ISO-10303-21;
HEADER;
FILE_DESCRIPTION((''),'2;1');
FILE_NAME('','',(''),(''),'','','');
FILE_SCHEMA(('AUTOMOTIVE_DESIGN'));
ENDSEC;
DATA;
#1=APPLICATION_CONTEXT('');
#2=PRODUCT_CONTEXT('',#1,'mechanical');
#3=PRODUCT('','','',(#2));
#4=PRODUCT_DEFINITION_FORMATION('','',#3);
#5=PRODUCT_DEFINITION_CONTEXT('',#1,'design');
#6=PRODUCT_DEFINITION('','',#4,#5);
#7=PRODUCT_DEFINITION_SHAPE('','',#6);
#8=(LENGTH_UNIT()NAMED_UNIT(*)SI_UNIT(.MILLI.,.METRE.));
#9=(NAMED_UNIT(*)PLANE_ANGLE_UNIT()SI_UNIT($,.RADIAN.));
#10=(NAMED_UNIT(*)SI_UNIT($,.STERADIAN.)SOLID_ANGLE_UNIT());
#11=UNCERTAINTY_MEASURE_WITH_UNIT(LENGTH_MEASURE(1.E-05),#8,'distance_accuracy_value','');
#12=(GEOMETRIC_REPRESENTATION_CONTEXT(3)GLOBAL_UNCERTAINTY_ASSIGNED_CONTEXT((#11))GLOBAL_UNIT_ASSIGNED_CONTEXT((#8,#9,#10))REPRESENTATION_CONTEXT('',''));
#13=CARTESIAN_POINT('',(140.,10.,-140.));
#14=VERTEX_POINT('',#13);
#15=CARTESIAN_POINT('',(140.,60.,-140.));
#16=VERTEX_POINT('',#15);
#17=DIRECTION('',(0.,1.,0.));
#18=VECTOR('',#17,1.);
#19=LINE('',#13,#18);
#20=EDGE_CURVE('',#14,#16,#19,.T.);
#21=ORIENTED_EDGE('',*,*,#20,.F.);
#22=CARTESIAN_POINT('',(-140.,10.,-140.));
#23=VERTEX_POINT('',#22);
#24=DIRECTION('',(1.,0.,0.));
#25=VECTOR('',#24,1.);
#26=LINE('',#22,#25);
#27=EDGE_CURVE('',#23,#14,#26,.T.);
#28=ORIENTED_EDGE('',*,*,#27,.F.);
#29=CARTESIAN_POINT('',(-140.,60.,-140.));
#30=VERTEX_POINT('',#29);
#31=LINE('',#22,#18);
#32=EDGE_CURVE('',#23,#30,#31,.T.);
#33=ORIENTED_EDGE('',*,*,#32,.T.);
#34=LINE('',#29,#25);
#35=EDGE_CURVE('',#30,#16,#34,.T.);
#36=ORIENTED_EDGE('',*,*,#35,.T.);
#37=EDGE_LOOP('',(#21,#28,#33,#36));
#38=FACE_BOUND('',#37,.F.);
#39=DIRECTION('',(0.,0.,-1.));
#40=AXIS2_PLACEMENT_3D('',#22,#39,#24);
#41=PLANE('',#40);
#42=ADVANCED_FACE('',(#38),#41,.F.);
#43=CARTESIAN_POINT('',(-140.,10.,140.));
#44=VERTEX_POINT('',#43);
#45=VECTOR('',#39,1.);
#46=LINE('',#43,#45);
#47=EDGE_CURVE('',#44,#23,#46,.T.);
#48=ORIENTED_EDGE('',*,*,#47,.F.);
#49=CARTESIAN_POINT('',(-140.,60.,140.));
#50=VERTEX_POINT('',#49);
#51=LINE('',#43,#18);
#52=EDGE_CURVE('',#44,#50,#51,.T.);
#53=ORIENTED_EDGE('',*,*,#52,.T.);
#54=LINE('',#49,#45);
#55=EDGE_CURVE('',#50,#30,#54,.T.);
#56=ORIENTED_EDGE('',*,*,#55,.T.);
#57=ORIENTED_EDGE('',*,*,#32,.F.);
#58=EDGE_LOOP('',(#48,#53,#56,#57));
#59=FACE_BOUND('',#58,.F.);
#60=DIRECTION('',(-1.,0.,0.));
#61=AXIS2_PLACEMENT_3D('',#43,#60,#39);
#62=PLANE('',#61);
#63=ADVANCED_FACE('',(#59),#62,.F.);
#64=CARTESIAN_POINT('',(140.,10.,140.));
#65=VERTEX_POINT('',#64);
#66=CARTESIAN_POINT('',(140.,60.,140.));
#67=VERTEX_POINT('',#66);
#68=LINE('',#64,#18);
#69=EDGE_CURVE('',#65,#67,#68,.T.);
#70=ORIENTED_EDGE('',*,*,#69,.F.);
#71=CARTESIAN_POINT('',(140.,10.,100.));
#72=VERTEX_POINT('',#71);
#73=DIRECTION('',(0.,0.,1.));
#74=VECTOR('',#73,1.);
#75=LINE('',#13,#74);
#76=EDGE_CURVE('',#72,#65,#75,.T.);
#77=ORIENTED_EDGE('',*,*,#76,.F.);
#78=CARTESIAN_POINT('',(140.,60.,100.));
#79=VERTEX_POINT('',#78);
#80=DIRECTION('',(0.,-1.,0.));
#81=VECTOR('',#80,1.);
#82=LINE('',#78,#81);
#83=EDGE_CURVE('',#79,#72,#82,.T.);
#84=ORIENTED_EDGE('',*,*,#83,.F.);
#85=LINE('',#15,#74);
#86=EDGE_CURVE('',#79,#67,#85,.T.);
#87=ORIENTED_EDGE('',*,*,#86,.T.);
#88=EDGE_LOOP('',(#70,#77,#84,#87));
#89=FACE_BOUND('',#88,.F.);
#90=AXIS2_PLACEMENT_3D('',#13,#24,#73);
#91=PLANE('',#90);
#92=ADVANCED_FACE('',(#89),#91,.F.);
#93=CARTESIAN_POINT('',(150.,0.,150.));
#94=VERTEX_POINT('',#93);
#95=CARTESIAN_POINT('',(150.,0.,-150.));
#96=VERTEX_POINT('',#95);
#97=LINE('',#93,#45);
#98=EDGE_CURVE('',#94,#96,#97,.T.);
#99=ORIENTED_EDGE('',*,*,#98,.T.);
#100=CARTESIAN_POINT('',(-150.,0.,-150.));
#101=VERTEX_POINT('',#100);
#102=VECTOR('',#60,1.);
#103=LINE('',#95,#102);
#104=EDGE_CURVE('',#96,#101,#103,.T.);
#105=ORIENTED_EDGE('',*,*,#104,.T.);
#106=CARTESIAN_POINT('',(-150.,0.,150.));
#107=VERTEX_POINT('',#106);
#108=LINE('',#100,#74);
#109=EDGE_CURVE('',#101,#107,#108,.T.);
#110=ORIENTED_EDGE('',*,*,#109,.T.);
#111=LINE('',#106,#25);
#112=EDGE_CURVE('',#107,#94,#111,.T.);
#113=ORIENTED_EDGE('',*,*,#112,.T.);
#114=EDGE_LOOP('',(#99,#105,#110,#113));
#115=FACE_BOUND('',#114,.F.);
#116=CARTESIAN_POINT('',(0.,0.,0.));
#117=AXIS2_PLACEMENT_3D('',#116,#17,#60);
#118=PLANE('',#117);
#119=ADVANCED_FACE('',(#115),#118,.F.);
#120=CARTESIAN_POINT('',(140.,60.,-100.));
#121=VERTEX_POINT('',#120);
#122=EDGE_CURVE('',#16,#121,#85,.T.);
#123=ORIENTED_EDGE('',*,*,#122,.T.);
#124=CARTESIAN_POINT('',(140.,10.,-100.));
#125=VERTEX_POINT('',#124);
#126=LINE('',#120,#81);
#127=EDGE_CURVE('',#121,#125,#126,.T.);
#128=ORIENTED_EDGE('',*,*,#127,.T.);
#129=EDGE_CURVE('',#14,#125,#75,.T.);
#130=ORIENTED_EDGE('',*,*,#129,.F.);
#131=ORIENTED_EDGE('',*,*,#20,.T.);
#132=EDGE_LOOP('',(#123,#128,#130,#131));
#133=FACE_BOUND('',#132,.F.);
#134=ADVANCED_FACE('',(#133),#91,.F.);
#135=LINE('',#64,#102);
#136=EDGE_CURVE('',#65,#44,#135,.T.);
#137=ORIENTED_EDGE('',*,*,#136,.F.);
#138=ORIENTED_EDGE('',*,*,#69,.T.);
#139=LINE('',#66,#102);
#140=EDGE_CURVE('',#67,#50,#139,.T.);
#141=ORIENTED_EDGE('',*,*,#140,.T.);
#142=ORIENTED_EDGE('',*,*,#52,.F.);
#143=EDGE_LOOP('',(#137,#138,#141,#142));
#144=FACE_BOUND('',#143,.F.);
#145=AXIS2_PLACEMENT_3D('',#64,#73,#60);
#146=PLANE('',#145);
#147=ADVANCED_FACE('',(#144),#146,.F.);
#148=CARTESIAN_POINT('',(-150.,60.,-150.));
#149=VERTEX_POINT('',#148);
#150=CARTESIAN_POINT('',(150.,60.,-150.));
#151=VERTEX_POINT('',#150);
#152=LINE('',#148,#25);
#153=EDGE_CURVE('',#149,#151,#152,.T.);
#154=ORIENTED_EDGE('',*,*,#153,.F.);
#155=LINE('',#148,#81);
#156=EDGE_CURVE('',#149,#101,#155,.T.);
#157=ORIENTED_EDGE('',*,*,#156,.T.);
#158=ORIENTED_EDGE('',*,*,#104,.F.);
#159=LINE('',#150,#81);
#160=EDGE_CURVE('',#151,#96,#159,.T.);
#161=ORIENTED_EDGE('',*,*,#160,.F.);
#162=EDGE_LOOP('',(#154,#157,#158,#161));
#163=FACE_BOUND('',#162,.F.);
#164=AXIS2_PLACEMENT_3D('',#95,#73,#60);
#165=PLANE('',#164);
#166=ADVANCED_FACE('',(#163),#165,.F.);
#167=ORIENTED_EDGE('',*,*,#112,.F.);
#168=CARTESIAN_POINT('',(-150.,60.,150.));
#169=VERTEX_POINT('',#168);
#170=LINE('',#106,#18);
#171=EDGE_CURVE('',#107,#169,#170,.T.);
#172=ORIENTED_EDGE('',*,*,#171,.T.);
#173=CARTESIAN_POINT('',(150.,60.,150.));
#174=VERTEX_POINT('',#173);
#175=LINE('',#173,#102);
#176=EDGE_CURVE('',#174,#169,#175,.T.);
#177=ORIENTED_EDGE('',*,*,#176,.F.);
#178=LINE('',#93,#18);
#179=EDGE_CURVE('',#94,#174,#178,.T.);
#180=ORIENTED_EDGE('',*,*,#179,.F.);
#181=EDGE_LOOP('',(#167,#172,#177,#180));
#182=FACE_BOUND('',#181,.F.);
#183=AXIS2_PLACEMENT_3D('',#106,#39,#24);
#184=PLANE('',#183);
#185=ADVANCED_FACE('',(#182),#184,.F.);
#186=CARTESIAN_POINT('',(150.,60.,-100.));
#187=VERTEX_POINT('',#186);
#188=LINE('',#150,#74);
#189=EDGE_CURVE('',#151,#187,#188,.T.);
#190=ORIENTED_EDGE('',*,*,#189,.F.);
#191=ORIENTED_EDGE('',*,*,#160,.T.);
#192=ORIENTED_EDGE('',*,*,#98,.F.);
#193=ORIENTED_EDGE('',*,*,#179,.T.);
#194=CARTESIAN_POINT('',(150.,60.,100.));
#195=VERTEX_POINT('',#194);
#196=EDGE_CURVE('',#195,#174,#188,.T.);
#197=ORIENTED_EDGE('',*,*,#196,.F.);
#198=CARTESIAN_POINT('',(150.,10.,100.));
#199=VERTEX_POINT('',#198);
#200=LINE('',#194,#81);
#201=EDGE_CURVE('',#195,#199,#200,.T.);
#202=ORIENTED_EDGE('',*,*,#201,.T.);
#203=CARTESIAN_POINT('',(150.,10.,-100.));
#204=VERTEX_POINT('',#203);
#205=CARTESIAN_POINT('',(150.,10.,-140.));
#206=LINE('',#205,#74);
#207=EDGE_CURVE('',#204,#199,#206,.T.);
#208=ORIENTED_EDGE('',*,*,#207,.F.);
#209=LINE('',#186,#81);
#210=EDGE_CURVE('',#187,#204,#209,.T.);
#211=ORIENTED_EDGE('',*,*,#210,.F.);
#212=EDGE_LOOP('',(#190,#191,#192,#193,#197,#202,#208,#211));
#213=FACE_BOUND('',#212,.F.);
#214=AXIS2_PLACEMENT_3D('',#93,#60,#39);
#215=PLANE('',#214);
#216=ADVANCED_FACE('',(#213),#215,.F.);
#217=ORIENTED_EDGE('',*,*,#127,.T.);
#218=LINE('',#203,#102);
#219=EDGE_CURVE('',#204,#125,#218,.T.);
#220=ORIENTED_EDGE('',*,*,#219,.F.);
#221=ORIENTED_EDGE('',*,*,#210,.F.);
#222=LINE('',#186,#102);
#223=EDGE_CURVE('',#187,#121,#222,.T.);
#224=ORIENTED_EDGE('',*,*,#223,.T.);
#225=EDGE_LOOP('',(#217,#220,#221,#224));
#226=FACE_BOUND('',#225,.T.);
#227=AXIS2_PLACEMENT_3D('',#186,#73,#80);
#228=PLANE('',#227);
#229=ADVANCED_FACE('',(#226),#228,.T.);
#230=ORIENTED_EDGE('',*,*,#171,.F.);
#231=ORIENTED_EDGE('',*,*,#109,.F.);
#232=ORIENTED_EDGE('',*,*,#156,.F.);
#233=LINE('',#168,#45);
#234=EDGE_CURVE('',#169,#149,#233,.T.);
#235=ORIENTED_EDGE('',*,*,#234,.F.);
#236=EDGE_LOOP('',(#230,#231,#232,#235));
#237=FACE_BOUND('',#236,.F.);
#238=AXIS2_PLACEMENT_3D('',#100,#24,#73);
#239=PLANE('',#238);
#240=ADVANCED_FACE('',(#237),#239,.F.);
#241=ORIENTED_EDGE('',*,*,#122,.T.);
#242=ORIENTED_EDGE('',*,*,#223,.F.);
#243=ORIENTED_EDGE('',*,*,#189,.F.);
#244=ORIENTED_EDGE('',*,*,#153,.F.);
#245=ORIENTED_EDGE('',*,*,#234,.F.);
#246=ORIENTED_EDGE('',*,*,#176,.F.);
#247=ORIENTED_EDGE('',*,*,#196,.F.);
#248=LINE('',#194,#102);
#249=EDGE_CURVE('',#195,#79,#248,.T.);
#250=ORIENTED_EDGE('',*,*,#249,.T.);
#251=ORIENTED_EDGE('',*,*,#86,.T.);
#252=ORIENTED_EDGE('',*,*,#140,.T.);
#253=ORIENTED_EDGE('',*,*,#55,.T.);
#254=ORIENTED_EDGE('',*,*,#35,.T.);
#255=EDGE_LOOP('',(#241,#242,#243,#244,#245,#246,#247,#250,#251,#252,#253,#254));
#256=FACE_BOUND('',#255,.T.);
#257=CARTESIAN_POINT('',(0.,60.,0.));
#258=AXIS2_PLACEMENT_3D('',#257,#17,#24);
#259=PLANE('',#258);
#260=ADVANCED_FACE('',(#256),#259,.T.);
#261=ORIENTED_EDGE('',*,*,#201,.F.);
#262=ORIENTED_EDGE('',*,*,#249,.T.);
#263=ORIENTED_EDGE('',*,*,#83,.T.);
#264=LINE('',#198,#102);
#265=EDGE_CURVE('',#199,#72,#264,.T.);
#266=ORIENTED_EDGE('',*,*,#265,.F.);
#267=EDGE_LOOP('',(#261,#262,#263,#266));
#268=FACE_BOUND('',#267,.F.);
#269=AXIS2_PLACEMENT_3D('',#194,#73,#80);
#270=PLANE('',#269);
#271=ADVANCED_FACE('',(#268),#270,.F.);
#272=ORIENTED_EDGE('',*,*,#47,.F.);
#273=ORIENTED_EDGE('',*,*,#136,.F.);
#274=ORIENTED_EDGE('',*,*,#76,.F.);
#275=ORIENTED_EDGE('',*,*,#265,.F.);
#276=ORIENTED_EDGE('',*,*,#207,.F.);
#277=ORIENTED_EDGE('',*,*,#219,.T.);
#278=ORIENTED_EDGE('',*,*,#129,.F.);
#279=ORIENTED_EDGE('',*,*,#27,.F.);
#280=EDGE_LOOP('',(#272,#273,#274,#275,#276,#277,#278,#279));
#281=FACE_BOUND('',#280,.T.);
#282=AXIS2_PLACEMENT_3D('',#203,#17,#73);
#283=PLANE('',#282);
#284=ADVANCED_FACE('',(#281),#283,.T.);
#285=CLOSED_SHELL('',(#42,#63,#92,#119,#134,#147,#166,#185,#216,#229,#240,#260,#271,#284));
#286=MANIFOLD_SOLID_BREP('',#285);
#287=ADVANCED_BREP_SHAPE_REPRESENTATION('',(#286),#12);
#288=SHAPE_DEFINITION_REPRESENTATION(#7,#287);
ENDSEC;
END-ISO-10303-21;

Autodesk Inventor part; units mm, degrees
ref_plane "YZ Plane" through (0, 0, 0) normal (1, 0, 0) x (0, 1, 0)
ref_plane "XZ Plane" through (0, 0, 0) normal (0, 1, 0) x (-1, 0, 0)
ref_plane "XY Plane" through (0, 0, 0) normal (0, 0, 1) x (1, 0, 0)
sketch "草图1" plane through (0, 0, 0) normal (0, 1, 0) x (-1, 0, 0)
  line L0 (150, 150) -> (-150, 150)
  line L1 (-150, 150) -> (-150, -150)
  line L2 (-150, -150) -> (150, -150)
  line L3 (150, -150) -> (150, 150)
  line L4 (150, 150) -> (-150, -150) construction
  line L5 (-150, 150) -> (150, -150) construction
  point P0 (0, 0)
  dimension "d0" = 300
  dimension "d1" = 300
extrude "拉伸1" add sketch "草图1" along normal blind 10
sketch "草图3" plane through (0, 10, 0) normal (0, 1, 0) x (1, 0, 0)
  line L0 (-150, -150) -> (-150, 150) projected
  line L1 (-150, 150) -> (150, 150) projected
  line L2 (150, 150) -> (150, -150) projected
  line L3 (150, -150) -> (-150, -150) projected
  line L4 (-140, -140) -> (-140, 140)
  line L5 (-140, 140) -> (140, 140)
  line L6 (140, 140) -> (140, -140)
  line L7 (140, -140) -> (-140, -140)
  point P0 (0, 0)
  dimension "d5" = 10
extrude "拉伸2" add sketch "草图3" along normal blind 50
sketch "草图4" plane through (150, 0, 150) normal (1, 0, 0) x (0, 0, -1)
  line L0 (0, 60) -> (300, 60) projected
  line L1 (300, 60) -> (300, 0) projected
  line L2 (300, 0) -> (0, 0) projected
  line L3 (0, 0) -> (0, 60) projected
  line L4 (0, 0) -> (0, 60) projected
  line L5 (0, 60) -> (50, 60)
  line L6 (300, 60) -> (0, 60) projected
  line L7 (300, 60) -> (250, 60)
  line L8 (50, 60) -> (50, 10)
  line L9 (300, 0) -> (0, 0) projected
  line L10 (250, 60) -> (250, 10)
  line L11 (290, 10) -> (10, 10) projected
  line L12 (50, 10) -> (250, 10)
  point P0 (150, 0)
  point P1 (250, 0)
  point P2 (250, 60)
  point P3 (53, 0)
  dimension "d8" = 300
  dimension "d9" = 50
  dimension "d18" = 50
extrude "拉伸3" cut sketch "草图4" against normal blind 10 contours L0 L10 L11 L8
properties part number "放书的" material "聚乙烯，低密度"
